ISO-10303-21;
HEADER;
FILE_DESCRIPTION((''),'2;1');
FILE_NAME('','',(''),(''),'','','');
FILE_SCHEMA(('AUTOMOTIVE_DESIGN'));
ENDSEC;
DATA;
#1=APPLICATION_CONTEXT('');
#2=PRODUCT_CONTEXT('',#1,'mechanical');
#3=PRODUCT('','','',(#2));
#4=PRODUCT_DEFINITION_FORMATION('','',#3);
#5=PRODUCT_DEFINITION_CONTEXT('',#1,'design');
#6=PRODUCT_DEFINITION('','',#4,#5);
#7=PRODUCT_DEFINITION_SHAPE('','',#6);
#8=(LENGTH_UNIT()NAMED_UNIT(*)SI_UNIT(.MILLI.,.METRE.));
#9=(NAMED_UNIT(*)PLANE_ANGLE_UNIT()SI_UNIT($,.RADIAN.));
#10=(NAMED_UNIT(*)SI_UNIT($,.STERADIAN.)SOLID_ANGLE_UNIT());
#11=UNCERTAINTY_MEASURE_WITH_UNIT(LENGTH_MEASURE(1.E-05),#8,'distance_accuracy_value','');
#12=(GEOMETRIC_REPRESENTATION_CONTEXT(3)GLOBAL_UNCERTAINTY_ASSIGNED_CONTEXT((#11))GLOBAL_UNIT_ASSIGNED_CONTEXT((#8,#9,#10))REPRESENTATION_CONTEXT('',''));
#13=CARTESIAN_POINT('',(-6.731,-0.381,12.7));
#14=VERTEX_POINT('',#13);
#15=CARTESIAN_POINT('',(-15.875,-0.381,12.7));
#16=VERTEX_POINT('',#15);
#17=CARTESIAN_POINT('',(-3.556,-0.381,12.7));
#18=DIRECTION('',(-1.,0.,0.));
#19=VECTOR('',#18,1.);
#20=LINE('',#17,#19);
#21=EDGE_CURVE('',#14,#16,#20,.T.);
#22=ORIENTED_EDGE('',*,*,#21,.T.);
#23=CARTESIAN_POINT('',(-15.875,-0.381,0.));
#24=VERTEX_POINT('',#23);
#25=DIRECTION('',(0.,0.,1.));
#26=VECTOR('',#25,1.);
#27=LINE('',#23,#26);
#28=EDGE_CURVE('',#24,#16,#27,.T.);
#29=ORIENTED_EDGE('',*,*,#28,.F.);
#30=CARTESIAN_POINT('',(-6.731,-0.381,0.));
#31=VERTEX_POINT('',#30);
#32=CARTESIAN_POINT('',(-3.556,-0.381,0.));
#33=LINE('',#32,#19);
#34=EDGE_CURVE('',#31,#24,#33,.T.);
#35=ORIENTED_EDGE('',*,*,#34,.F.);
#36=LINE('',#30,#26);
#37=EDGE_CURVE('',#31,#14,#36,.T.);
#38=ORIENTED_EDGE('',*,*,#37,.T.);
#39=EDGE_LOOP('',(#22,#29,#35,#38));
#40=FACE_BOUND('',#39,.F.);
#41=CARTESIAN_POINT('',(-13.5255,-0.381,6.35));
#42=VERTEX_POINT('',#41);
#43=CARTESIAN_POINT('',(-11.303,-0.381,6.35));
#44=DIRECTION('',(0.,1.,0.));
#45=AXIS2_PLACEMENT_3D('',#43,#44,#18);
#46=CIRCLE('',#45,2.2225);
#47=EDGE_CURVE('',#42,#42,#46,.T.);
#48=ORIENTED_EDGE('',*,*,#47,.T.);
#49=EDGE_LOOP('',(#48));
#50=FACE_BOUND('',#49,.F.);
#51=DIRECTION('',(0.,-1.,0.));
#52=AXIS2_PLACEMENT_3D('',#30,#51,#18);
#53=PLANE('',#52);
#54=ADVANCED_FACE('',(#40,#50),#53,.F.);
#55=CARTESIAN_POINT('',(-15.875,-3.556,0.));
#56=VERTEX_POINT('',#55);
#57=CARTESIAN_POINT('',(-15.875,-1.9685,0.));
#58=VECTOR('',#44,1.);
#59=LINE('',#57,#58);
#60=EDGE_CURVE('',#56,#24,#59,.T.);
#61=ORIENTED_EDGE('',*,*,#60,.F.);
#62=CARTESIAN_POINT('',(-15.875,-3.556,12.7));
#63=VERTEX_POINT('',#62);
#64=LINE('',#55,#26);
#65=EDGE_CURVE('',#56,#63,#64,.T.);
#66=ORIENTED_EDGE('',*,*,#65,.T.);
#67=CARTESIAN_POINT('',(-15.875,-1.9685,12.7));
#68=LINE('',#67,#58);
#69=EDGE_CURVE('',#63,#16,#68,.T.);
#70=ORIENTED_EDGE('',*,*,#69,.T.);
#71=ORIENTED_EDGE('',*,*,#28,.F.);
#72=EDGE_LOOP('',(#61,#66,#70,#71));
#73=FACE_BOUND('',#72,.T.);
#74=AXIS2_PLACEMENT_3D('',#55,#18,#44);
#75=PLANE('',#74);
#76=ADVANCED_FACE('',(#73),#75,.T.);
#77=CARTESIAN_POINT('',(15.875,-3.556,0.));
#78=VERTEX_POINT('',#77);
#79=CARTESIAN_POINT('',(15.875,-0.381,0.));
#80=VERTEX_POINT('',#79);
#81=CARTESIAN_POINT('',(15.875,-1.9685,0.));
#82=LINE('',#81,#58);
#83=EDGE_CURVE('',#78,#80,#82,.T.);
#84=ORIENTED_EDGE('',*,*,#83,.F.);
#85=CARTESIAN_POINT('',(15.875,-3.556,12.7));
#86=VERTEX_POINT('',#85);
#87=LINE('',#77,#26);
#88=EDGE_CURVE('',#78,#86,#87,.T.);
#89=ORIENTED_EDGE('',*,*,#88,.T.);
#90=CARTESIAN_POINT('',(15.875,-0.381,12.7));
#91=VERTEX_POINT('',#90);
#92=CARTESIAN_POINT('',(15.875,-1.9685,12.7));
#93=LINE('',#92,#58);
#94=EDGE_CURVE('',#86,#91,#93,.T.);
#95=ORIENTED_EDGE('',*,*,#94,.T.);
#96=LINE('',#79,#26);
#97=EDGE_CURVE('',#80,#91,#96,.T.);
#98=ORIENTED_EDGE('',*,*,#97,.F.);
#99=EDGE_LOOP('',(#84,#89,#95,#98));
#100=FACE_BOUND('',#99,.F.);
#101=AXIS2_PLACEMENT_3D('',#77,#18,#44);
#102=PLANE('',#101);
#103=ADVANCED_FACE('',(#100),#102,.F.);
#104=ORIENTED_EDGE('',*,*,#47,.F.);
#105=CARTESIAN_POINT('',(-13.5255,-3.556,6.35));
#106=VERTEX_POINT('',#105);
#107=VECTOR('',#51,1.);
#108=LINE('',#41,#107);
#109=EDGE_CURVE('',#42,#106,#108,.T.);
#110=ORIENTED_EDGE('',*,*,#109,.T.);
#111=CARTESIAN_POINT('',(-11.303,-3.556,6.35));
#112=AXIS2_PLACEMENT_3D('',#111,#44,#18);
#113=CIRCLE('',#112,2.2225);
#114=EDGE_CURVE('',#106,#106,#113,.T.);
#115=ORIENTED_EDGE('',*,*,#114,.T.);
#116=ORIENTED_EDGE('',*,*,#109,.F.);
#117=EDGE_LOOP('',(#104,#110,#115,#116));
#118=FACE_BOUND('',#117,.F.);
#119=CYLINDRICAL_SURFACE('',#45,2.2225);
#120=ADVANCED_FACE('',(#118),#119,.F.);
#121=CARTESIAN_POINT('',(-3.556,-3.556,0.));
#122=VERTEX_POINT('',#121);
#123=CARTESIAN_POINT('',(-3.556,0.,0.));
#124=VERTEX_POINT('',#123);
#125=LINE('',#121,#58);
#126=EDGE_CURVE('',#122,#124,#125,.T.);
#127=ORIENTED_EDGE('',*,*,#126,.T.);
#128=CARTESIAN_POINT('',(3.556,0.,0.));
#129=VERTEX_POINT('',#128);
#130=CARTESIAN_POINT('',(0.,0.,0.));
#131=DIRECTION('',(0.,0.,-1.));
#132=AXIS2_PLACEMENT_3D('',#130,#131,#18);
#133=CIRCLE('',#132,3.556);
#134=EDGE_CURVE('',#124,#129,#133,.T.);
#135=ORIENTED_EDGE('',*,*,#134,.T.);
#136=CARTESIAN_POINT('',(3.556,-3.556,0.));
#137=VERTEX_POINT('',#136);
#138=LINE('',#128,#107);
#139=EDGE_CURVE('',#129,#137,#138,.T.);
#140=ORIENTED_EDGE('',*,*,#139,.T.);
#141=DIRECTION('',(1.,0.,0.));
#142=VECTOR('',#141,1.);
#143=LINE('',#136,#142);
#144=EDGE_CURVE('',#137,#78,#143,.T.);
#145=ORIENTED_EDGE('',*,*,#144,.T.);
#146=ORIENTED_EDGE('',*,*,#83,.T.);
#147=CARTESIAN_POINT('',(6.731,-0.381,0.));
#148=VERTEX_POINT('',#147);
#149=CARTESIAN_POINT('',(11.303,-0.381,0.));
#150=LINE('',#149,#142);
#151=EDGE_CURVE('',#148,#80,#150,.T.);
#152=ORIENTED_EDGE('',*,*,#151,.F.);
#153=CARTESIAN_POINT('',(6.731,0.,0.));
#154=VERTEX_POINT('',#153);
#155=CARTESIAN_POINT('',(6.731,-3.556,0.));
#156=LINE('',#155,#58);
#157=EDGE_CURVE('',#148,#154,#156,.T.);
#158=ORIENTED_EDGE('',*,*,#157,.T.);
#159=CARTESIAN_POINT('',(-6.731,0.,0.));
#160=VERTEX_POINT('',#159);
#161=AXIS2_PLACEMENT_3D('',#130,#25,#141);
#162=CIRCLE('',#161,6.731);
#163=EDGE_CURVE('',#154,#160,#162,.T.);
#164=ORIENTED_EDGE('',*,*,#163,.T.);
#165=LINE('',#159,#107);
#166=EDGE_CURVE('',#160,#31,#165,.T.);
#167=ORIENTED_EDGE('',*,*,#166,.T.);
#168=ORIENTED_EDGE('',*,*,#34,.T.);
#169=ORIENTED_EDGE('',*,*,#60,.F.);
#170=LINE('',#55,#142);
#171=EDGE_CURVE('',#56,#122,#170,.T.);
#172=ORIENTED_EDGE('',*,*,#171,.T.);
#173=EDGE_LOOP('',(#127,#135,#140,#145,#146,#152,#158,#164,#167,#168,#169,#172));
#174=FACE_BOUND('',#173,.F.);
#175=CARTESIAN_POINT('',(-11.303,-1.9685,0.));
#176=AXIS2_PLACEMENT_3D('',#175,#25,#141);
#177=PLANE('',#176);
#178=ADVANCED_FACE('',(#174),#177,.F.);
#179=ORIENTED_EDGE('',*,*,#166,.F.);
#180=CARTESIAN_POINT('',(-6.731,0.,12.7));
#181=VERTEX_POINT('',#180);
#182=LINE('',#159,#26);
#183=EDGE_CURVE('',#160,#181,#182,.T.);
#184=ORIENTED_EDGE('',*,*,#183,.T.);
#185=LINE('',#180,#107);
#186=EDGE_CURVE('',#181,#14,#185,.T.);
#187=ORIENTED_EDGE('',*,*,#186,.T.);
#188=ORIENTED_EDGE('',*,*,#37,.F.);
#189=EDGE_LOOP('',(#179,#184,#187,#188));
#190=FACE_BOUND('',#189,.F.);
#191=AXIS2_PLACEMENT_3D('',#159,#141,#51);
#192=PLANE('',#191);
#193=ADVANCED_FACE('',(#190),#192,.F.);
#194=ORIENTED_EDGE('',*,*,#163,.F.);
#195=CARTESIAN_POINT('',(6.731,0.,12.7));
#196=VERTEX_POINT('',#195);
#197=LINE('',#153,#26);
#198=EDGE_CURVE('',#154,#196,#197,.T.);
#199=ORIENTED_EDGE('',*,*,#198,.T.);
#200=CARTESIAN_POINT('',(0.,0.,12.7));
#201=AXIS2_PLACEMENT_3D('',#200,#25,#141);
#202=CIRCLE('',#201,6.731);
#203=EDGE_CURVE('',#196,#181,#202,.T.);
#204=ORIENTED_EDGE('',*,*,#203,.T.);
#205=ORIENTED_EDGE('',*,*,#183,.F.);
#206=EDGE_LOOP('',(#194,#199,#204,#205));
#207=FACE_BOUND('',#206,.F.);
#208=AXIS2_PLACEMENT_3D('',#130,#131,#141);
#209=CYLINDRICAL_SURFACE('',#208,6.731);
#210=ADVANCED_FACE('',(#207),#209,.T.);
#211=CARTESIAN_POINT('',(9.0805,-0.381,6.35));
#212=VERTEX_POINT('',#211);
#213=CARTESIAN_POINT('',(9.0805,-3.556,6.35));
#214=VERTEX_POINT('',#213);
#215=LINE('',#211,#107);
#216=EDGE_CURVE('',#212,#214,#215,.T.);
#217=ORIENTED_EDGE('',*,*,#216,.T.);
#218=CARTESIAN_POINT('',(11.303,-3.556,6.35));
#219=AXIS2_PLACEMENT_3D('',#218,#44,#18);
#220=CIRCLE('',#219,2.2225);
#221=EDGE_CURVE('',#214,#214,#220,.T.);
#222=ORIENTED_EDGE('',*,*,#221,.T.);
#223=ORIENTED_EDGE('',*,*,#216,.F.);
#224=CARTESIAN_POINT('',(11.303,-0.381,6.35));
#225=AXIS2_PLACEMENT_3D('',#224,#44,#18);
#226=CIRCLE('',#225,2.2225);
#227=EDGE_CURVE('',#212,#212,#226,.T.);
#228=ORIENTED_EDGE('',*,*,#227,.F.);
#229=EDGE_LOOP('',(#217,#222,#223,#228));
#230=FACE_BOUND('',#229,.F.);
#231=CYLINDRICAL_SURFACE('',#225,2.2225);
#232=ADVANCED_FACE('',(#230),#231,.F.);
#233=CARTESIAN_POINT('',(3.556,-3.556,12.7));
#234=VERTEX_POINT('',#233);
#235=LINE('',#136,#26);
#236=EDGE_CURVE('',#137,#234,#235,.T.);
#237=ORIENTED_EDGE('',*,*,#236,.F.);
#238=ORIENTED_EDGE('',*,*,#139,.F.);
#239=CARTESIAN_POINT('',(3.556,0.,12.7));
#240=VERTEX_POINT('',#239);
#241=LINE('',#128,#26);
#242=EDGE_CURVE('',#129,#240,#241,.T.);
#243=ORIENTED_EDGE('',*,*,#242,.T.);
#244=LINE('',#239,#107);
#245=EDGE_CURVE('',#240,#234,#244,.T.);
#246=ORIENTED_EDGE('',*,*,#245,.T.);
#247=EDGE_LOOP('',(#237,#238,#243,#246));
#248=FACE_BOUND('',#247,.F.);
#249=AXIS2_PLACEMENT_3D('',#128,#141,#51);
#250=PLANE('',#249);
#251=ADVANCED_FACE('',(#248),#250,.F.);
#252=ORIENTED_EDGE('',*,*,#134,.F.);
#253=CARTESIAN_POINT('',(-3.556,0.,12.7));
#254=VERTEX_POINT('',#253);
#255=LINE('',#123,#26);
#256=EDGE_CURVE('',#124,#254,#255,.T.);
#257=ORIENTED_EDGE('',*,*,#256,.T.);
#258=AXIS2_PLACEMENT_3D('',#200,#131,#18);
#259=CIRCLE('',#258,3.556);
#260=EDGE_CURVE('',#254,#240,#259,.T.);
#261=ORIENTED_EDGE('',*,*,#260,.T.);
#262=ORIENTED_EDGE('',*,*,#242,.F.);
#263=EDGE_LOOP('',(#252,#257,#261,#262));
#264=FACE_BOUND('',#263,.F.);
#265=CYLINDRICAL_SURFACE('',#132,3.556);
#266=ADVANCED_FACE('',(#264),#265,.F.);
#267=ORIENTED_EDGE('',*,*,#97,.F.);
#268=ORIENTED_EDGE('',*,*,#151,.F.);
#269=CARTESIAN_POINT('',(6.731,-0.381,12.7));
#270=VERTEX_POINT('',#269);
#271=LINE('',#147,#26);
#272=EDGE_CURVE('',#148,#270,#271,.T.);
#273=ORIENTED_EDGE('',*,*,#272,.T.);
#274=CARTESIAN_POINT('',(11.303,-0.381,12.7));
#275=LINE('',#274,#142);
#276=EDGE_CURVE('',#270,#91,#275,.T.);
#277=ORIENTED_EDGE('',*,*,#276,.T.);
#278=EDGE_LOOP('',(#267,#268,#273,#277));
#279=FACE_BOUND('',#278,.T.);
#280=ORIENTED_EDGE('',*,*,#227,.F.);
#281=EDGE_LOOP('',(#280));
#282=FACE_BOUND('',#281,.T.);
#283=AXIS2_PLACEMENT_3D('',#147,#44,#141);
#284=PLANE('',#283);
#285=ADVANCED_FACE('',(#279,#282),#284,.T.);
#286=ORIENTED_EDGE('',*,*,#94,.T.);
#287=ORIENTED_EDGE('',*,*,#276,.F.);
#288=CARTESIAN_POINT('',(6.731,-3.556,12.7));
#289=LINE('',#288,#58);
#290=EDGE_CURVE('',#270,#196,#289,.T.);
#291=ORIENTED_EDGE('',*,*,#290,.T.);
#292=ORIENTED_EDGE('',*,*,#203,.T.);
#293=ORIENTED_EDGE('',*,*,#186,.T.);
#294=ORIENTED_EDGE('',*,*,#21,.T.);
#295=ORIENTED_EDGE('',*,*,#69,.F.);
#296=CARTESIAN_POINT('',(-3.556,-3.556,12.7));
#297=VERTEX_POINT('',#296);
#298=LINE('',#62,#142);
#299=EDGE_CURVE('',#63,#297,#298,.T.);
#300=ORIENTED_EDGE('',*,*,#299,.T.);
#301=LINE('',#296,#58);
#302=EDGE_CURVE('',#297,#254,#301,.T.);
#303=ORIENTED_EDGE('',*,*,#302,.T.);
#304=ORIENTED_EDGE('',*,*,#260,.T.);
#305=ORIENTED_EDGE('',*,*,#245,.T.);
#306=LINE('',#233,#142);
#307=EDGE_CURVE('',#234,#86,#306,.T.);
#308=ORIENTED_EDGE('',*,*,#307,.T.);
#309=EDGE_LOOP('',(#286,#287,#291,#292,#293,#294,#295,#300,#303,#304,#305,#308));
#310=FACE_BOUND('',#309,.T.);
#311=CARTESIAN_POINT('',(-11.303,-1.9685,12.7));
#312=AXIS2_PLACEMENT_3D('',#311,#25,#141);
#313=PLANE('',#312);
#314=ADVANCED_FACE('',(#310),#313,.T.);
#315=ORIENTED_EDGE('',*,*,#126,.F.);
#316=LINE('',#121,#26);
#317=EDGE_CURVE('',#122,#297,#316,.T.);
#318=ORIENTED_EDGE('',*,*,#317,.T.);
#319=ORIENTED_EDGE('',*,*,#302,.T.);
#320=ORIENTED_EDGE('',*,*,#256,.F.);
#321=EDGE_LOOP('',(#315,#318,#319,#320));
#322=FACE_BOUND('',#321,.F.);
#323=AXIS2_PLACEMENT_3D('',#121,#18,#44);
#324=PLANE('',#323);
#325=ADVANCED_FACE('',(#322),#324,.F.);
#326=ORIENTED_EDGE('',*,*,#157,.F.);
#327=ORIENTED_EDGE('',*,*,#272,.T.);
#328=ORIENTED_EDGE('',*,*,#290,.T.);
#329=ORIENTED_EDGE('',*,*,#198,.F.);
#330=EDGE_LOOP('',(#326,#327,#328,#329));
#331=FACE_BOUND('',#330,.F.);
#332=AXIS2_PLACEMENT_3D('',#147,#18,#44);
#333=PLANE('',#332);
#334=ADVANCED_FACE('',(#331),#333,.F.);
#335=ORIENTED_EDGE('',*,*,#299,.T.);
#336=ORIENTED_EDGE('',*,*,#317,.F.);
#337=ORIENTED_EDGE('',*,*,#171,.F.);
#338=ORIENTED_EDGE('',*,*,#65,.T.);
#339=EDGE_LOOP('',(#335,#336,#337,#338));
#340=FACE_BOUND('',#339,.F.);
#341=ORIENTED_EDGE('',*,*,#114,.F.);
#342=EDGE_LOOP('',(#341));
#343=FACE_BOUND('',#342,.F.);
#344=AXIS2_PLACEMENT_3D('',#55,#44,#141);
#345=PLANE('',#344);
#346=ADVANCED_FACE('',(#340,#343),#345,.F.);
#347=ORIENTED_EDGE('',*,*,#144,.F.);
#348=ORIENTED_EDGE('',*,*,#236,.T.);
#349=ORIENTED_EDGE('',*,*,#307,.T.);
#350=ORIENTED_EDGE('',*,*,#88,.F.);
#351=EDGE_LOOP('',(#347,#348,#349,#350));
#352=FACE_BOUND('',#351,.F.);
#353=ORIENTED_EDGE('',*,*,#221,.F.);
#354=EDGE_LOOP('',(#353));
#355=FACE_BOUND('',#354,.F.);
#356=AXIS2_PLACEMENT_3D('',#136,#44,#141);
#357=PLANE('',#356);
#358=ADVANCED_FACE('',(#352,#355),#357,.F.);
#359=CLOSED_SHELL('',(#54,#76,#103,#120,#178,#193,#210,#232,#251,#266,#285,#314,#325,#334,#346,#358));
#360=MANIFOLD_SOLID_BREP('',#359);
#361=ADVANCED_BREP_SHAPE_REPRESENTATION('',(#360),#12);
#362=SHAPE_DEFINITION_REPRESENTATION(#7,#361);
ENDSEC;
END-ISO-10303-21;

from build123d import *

# Parameters (mm, degrees)
F0_W     = 9.144
F0_H     = 3.175
F0_W_2   = 3.175
F1_DEPTH = 12.7
F2_R     = 2.2225
F3_DEPTH = 25.4


with BuildPart() as f1:
    # F0 (on Top) → F1 (new body)
    with BuildSketch(Plane.XY):
        with Locations((-11.303, -1.9685)):
            Rectangle(F0_W, F0_H)
        with Locations((-5.1435, -1.9685)):
            Rectangle(F0_W_2, F0_H)
        with BuildLine():
            Line((-6.731, 0), (-6.731, -0.381))
            Line((-6.731, -0.381), (-3.556, -0.381))
            Line((-3.556, -0.381), (-3.556, 0))
            ThreePointArc((-3.556, 0), (0, 3.556), (3.556, 0))
            Line((3.556, 0), (3.556, -0.381))
            Line((3.556, -0.381), (6.731, -0.381))
            Line((6.731, -0.381), (6.731, 0))
            ThreePointArc((6.731, 0), (0, 6.731), (-6.731, 0))
        make_face()
        with Locations((5.1435, -1.9685)):
            Rectangle(F0_W_2, F0_H)
        with Locations((11.303, -1.9685)):
            Rectangle(F0_W, F0_H)
    extrude(amount=F1_DEPTH)

    # F2 (on face) → F3 (cut)
    with BuildSketch(Plane(origin=(0, -0.381, 0), x_dir=(-1, 0, 0), z_dir=(0, 1, 0))):
        with Locations((11.303, 6.35)):
            Circle(F2_R)
        with Locations((-11.303, 6.35)):
            Circle(F2_R)
    extrude(amount=-F3_DEPTH, mode=Mode.SUBTRACT)


solid = f1.part
